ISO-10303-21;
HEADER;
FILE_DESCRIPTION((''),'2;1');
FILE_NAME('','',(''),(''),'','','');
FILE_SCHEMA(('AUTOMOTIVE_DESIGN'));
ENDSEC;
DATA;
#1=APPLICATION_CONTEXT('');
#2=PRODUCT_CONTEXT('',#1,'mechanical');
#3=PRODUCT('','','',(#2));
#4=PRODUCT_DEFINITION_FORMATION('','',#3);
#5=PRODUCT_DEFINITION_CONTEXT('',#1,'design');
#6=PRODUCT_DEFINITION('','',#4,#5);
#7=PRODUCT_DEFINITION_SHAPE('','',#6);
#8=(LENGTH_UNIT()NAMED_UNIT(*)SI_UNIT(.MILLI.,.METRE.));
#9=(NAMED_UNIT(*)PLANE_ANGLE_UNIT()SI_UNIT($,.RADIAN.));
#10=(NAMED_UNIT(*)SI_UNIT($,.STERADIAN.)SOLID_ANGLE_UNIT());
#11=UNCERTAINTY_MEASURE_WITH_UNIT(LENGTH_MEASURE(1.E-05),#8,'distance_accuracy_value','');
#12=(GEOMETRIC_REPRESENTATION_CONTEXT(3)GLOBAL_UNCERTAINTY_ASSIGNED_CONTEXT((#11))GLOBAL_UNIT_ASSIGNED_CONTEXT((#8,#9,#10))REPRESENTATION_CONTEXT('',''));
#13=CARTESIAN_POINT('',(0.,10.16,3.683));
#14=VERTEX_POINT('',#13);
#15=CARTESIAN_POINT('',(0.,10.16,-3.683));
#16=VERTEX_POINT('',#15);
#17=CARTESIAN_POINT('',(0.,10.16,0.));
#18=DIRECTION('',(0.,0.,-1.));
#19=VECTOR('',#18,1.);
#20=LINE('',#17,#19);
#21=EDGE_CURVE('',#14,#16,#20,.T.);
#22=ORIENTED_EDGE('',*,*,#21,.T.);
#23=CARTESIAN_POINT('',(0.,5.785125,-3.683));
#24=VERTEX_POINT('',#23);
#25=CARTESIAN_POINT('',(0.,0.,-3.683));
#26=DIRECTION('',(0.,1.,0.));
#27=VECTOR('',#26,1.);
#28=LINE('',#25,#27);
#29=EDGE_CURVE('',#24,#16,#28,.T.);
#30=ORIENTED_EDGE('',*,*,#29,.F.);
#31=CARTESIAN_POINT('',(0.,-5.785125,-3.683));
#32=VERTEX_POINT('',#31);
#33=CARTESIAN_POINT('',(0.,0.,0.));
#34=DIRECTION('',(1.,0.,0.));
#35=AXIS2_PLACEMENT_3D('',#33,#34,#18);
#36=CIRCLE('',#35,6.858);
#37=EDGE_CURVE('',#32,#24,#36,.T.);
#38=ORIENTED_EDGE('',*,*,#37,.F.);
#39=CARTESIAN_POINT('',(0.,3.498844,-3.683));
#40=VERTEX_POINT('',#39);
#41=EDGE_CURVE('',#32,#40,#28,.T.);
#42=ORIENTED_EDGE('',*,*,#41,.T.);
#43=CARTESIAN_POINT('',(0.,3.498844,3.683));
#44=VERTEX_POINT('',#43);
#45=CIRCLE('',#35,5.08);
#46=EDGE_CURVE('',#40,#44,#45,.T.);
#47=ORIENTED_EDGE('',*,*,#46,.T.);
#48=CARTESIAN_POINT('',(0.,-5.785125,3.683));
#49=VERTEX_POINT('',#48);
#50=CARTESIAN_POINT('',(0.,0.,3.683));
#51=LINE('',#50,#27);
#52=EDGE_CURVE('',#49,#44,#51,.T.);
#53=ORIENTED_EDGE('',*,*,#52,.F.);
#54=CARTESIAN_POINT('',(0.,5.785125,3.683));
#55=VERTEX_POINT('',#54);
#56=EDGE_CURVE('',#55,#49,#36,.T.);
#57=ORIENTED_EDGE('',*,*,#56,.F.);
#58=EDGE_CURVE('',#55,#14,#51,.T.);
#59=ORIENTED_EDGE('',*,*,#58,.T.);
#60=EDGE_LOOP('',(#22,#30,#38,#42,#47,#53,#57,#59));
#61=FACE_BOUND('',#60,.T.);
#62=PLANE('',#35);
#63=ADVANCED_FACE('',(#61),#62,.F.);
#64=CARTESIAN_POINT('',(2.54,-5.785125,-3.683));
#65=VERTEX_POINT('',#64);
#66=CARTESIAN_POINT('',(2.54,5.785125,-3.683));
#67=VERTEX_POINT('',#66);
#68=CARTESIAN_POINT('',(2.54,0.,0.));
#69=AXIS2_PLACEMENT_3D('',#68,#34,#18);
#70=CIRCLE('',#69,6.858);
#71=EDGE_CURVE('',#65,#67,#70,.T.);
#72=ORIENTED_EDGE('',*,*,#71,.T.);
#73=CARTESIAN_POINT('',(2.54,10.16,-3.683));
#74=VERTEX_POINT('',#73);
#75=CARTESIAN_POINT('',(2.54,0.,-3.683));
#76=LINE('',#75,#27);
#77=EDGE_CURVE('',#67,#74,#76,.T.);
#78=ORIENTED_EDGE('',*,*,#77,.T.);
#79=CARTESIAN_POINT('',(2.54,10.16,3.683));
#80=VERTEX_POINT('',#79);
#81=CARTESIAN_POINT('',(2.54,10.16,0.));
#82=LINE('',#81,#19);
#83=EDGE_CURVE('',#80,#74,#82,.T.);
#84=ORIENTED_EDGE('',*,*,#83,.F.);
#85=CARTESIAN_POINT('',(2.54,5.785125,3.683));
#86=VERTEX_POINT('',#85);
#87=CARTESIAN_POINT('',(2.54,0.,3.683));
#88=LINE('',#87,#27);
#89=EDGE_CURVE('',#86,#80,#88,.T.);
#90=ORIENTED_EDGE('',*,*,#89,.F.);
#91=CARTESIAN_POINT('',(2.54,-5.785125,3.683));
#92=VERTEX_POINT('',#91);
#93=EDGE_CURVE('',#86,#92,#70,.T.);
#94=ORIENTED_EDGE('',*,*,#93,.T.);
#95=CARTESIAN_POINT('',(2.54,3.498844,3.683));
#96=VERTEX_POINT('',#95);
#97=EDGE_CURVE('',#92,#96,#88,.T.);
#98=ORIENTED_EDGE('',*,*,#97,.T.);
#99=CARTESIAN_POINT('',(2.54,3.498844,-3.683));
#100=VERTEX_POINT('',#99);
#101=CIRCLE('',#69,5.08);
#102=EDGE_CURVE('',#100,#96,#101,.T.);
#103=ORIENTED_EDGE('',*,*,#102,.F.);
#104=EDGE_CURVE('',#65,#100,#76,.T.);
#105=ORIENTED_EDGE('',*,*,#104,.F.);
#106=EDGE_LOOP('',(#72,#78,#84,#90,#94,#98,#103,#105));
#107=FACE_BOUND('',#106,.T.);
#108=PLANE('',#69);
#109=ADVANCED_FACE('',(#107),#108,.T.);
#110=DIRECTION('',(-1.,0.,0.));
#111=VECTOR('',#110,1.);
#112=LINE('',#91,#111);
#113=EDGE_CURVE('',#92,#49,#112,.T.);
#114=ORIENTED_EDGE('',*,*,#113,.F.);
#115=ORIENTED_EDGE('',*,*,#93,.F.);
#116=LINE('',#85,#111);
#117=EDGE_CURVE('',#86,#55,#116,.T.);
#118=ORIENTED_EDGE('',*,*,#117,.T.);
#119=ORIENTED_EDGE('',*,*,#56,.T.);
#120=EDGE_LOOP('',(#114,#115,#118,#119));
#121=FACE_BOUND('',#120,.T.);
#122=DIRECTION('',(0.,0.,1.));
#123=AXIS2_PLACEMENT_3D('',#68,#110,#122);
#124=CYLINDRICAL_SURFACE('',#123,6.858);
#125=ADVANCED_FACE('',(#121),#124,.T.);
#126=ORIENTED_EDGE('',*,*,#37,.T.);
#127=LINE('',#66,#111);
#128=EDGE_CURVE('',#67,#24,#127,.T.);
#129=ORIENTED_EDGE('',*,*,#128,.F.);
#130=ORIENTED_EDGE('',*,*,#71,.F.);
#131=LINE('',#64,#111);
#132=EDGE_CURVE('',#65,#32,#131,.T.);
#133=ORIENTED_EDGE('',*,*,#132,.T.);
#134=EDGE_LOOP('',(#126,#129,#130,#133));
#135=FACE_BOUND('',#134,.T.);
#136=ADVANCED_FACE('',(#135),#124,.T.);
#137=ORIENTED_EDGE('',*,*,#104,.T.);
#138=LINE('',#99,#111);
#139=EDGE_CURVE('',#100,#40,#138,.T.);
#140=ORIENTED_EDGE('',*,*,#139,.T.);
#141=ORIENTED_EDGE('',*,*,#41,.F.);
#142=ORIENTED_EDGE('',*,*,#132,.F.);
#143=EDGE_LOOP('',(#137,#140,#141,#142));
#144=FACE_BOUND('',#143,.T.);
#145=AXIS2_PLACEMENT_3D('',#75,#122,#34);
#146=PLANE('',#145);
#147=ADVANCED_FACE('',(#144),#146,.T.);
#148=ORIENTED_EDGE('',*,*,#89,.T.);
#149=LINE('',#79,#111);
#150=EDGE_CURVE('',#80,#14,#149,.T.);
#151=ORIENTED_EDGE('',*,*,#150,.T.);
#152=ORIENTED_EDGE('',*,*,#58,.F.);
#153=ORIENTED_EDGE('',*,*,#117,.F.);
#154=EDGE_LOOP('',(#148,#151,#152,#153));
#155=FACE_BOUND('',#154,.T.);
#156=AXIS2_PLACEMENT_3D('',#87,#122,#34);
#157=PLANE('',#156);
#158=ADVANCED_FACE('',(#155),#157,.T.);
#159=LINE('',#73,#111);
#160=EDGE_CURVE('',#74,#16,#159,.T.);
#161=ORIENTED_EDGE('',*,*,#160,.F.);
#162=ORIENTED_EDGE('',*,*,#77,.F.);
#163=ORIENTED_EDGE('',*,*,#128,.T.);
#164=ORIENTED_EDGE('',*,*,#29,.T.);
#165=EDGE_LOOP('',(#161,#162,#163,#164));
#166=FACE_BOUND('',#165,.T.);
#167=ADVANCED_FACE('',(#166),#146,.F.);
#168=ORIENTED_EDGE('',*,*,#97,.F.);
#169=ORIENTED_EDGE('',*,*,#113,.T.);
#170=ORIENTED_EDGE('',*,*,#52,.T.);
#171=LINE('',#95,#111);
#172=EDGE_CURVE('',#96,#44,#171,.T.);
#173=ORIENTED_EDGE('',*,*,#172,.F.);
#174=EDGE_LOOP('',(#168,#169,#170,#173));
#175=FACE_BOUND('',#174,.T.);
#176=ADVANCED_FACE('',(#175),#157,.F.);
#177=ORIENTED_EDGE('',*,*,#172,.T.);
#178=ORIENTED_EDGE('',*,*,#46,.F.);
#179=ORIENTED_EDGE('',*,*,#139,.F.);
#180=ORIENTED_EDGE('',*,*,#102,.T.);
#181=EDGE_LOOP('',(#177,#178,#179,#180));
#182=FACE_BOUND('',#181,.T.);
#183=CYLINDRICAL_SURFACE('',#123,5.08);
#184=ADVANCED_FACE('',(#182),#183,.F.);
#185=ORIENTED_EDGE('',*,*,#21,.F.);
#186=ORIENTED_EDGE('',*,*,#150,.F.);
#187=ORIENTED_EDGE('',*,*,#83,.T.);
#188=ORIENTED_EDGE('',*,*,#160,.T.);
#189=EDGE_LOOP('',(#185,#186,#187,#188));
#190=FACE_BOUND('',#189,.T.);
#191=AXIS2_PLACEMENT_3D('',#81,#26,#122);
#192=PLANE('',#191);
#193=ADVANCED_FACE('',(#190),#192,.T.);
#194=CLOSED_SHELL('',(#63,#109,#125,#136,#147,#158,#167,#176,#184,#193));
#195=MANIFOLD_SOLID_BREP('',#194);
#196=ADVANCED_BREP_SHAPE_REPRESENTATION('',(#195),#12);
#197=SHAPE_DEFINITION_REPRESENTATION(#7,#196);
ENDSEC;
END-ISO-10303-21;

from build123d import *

# Parameters (mm, degrees)
BOSS_EXTRUDE1_DEPTH = 2.54


with BuildPart() as part:
    # Sketch1 → Boss-Extrude1 (new body)
    with BuildSketch(Plane(origin=(0, 0, 0), x_dir=(0, 0, -1), z_dir=(1, 0, 0))):
        with BuildLine():
            Line((-3.683, -5.785125323), (-3.683, 3.498844238))
            ThreePointArc((-3.683, 3.498844238), (0, 5.08), (3.683, 3.498844238))
            Line((3.683, 3.498844238), (3.683, -5.785125323))
            ThreePointArc((3.683, -5.785125323), (6.858, 0), (3.683, 5.785125323))
            Line((3.683, 5.785125323), (3.683, 10.16))
            Line((3.683, 10.16), (-3.683, 10.16))
            Line((-3.683, 10.16), (-3.683, 5.785125323))
            ThreePointArc((-3.683, 5.785125323), (-6.858, 0), (-3.683, -5.785125323))
        make_face()
    extrude(amount=BOSS_EXTRUDE1_DEPTH)


solid = part.part
